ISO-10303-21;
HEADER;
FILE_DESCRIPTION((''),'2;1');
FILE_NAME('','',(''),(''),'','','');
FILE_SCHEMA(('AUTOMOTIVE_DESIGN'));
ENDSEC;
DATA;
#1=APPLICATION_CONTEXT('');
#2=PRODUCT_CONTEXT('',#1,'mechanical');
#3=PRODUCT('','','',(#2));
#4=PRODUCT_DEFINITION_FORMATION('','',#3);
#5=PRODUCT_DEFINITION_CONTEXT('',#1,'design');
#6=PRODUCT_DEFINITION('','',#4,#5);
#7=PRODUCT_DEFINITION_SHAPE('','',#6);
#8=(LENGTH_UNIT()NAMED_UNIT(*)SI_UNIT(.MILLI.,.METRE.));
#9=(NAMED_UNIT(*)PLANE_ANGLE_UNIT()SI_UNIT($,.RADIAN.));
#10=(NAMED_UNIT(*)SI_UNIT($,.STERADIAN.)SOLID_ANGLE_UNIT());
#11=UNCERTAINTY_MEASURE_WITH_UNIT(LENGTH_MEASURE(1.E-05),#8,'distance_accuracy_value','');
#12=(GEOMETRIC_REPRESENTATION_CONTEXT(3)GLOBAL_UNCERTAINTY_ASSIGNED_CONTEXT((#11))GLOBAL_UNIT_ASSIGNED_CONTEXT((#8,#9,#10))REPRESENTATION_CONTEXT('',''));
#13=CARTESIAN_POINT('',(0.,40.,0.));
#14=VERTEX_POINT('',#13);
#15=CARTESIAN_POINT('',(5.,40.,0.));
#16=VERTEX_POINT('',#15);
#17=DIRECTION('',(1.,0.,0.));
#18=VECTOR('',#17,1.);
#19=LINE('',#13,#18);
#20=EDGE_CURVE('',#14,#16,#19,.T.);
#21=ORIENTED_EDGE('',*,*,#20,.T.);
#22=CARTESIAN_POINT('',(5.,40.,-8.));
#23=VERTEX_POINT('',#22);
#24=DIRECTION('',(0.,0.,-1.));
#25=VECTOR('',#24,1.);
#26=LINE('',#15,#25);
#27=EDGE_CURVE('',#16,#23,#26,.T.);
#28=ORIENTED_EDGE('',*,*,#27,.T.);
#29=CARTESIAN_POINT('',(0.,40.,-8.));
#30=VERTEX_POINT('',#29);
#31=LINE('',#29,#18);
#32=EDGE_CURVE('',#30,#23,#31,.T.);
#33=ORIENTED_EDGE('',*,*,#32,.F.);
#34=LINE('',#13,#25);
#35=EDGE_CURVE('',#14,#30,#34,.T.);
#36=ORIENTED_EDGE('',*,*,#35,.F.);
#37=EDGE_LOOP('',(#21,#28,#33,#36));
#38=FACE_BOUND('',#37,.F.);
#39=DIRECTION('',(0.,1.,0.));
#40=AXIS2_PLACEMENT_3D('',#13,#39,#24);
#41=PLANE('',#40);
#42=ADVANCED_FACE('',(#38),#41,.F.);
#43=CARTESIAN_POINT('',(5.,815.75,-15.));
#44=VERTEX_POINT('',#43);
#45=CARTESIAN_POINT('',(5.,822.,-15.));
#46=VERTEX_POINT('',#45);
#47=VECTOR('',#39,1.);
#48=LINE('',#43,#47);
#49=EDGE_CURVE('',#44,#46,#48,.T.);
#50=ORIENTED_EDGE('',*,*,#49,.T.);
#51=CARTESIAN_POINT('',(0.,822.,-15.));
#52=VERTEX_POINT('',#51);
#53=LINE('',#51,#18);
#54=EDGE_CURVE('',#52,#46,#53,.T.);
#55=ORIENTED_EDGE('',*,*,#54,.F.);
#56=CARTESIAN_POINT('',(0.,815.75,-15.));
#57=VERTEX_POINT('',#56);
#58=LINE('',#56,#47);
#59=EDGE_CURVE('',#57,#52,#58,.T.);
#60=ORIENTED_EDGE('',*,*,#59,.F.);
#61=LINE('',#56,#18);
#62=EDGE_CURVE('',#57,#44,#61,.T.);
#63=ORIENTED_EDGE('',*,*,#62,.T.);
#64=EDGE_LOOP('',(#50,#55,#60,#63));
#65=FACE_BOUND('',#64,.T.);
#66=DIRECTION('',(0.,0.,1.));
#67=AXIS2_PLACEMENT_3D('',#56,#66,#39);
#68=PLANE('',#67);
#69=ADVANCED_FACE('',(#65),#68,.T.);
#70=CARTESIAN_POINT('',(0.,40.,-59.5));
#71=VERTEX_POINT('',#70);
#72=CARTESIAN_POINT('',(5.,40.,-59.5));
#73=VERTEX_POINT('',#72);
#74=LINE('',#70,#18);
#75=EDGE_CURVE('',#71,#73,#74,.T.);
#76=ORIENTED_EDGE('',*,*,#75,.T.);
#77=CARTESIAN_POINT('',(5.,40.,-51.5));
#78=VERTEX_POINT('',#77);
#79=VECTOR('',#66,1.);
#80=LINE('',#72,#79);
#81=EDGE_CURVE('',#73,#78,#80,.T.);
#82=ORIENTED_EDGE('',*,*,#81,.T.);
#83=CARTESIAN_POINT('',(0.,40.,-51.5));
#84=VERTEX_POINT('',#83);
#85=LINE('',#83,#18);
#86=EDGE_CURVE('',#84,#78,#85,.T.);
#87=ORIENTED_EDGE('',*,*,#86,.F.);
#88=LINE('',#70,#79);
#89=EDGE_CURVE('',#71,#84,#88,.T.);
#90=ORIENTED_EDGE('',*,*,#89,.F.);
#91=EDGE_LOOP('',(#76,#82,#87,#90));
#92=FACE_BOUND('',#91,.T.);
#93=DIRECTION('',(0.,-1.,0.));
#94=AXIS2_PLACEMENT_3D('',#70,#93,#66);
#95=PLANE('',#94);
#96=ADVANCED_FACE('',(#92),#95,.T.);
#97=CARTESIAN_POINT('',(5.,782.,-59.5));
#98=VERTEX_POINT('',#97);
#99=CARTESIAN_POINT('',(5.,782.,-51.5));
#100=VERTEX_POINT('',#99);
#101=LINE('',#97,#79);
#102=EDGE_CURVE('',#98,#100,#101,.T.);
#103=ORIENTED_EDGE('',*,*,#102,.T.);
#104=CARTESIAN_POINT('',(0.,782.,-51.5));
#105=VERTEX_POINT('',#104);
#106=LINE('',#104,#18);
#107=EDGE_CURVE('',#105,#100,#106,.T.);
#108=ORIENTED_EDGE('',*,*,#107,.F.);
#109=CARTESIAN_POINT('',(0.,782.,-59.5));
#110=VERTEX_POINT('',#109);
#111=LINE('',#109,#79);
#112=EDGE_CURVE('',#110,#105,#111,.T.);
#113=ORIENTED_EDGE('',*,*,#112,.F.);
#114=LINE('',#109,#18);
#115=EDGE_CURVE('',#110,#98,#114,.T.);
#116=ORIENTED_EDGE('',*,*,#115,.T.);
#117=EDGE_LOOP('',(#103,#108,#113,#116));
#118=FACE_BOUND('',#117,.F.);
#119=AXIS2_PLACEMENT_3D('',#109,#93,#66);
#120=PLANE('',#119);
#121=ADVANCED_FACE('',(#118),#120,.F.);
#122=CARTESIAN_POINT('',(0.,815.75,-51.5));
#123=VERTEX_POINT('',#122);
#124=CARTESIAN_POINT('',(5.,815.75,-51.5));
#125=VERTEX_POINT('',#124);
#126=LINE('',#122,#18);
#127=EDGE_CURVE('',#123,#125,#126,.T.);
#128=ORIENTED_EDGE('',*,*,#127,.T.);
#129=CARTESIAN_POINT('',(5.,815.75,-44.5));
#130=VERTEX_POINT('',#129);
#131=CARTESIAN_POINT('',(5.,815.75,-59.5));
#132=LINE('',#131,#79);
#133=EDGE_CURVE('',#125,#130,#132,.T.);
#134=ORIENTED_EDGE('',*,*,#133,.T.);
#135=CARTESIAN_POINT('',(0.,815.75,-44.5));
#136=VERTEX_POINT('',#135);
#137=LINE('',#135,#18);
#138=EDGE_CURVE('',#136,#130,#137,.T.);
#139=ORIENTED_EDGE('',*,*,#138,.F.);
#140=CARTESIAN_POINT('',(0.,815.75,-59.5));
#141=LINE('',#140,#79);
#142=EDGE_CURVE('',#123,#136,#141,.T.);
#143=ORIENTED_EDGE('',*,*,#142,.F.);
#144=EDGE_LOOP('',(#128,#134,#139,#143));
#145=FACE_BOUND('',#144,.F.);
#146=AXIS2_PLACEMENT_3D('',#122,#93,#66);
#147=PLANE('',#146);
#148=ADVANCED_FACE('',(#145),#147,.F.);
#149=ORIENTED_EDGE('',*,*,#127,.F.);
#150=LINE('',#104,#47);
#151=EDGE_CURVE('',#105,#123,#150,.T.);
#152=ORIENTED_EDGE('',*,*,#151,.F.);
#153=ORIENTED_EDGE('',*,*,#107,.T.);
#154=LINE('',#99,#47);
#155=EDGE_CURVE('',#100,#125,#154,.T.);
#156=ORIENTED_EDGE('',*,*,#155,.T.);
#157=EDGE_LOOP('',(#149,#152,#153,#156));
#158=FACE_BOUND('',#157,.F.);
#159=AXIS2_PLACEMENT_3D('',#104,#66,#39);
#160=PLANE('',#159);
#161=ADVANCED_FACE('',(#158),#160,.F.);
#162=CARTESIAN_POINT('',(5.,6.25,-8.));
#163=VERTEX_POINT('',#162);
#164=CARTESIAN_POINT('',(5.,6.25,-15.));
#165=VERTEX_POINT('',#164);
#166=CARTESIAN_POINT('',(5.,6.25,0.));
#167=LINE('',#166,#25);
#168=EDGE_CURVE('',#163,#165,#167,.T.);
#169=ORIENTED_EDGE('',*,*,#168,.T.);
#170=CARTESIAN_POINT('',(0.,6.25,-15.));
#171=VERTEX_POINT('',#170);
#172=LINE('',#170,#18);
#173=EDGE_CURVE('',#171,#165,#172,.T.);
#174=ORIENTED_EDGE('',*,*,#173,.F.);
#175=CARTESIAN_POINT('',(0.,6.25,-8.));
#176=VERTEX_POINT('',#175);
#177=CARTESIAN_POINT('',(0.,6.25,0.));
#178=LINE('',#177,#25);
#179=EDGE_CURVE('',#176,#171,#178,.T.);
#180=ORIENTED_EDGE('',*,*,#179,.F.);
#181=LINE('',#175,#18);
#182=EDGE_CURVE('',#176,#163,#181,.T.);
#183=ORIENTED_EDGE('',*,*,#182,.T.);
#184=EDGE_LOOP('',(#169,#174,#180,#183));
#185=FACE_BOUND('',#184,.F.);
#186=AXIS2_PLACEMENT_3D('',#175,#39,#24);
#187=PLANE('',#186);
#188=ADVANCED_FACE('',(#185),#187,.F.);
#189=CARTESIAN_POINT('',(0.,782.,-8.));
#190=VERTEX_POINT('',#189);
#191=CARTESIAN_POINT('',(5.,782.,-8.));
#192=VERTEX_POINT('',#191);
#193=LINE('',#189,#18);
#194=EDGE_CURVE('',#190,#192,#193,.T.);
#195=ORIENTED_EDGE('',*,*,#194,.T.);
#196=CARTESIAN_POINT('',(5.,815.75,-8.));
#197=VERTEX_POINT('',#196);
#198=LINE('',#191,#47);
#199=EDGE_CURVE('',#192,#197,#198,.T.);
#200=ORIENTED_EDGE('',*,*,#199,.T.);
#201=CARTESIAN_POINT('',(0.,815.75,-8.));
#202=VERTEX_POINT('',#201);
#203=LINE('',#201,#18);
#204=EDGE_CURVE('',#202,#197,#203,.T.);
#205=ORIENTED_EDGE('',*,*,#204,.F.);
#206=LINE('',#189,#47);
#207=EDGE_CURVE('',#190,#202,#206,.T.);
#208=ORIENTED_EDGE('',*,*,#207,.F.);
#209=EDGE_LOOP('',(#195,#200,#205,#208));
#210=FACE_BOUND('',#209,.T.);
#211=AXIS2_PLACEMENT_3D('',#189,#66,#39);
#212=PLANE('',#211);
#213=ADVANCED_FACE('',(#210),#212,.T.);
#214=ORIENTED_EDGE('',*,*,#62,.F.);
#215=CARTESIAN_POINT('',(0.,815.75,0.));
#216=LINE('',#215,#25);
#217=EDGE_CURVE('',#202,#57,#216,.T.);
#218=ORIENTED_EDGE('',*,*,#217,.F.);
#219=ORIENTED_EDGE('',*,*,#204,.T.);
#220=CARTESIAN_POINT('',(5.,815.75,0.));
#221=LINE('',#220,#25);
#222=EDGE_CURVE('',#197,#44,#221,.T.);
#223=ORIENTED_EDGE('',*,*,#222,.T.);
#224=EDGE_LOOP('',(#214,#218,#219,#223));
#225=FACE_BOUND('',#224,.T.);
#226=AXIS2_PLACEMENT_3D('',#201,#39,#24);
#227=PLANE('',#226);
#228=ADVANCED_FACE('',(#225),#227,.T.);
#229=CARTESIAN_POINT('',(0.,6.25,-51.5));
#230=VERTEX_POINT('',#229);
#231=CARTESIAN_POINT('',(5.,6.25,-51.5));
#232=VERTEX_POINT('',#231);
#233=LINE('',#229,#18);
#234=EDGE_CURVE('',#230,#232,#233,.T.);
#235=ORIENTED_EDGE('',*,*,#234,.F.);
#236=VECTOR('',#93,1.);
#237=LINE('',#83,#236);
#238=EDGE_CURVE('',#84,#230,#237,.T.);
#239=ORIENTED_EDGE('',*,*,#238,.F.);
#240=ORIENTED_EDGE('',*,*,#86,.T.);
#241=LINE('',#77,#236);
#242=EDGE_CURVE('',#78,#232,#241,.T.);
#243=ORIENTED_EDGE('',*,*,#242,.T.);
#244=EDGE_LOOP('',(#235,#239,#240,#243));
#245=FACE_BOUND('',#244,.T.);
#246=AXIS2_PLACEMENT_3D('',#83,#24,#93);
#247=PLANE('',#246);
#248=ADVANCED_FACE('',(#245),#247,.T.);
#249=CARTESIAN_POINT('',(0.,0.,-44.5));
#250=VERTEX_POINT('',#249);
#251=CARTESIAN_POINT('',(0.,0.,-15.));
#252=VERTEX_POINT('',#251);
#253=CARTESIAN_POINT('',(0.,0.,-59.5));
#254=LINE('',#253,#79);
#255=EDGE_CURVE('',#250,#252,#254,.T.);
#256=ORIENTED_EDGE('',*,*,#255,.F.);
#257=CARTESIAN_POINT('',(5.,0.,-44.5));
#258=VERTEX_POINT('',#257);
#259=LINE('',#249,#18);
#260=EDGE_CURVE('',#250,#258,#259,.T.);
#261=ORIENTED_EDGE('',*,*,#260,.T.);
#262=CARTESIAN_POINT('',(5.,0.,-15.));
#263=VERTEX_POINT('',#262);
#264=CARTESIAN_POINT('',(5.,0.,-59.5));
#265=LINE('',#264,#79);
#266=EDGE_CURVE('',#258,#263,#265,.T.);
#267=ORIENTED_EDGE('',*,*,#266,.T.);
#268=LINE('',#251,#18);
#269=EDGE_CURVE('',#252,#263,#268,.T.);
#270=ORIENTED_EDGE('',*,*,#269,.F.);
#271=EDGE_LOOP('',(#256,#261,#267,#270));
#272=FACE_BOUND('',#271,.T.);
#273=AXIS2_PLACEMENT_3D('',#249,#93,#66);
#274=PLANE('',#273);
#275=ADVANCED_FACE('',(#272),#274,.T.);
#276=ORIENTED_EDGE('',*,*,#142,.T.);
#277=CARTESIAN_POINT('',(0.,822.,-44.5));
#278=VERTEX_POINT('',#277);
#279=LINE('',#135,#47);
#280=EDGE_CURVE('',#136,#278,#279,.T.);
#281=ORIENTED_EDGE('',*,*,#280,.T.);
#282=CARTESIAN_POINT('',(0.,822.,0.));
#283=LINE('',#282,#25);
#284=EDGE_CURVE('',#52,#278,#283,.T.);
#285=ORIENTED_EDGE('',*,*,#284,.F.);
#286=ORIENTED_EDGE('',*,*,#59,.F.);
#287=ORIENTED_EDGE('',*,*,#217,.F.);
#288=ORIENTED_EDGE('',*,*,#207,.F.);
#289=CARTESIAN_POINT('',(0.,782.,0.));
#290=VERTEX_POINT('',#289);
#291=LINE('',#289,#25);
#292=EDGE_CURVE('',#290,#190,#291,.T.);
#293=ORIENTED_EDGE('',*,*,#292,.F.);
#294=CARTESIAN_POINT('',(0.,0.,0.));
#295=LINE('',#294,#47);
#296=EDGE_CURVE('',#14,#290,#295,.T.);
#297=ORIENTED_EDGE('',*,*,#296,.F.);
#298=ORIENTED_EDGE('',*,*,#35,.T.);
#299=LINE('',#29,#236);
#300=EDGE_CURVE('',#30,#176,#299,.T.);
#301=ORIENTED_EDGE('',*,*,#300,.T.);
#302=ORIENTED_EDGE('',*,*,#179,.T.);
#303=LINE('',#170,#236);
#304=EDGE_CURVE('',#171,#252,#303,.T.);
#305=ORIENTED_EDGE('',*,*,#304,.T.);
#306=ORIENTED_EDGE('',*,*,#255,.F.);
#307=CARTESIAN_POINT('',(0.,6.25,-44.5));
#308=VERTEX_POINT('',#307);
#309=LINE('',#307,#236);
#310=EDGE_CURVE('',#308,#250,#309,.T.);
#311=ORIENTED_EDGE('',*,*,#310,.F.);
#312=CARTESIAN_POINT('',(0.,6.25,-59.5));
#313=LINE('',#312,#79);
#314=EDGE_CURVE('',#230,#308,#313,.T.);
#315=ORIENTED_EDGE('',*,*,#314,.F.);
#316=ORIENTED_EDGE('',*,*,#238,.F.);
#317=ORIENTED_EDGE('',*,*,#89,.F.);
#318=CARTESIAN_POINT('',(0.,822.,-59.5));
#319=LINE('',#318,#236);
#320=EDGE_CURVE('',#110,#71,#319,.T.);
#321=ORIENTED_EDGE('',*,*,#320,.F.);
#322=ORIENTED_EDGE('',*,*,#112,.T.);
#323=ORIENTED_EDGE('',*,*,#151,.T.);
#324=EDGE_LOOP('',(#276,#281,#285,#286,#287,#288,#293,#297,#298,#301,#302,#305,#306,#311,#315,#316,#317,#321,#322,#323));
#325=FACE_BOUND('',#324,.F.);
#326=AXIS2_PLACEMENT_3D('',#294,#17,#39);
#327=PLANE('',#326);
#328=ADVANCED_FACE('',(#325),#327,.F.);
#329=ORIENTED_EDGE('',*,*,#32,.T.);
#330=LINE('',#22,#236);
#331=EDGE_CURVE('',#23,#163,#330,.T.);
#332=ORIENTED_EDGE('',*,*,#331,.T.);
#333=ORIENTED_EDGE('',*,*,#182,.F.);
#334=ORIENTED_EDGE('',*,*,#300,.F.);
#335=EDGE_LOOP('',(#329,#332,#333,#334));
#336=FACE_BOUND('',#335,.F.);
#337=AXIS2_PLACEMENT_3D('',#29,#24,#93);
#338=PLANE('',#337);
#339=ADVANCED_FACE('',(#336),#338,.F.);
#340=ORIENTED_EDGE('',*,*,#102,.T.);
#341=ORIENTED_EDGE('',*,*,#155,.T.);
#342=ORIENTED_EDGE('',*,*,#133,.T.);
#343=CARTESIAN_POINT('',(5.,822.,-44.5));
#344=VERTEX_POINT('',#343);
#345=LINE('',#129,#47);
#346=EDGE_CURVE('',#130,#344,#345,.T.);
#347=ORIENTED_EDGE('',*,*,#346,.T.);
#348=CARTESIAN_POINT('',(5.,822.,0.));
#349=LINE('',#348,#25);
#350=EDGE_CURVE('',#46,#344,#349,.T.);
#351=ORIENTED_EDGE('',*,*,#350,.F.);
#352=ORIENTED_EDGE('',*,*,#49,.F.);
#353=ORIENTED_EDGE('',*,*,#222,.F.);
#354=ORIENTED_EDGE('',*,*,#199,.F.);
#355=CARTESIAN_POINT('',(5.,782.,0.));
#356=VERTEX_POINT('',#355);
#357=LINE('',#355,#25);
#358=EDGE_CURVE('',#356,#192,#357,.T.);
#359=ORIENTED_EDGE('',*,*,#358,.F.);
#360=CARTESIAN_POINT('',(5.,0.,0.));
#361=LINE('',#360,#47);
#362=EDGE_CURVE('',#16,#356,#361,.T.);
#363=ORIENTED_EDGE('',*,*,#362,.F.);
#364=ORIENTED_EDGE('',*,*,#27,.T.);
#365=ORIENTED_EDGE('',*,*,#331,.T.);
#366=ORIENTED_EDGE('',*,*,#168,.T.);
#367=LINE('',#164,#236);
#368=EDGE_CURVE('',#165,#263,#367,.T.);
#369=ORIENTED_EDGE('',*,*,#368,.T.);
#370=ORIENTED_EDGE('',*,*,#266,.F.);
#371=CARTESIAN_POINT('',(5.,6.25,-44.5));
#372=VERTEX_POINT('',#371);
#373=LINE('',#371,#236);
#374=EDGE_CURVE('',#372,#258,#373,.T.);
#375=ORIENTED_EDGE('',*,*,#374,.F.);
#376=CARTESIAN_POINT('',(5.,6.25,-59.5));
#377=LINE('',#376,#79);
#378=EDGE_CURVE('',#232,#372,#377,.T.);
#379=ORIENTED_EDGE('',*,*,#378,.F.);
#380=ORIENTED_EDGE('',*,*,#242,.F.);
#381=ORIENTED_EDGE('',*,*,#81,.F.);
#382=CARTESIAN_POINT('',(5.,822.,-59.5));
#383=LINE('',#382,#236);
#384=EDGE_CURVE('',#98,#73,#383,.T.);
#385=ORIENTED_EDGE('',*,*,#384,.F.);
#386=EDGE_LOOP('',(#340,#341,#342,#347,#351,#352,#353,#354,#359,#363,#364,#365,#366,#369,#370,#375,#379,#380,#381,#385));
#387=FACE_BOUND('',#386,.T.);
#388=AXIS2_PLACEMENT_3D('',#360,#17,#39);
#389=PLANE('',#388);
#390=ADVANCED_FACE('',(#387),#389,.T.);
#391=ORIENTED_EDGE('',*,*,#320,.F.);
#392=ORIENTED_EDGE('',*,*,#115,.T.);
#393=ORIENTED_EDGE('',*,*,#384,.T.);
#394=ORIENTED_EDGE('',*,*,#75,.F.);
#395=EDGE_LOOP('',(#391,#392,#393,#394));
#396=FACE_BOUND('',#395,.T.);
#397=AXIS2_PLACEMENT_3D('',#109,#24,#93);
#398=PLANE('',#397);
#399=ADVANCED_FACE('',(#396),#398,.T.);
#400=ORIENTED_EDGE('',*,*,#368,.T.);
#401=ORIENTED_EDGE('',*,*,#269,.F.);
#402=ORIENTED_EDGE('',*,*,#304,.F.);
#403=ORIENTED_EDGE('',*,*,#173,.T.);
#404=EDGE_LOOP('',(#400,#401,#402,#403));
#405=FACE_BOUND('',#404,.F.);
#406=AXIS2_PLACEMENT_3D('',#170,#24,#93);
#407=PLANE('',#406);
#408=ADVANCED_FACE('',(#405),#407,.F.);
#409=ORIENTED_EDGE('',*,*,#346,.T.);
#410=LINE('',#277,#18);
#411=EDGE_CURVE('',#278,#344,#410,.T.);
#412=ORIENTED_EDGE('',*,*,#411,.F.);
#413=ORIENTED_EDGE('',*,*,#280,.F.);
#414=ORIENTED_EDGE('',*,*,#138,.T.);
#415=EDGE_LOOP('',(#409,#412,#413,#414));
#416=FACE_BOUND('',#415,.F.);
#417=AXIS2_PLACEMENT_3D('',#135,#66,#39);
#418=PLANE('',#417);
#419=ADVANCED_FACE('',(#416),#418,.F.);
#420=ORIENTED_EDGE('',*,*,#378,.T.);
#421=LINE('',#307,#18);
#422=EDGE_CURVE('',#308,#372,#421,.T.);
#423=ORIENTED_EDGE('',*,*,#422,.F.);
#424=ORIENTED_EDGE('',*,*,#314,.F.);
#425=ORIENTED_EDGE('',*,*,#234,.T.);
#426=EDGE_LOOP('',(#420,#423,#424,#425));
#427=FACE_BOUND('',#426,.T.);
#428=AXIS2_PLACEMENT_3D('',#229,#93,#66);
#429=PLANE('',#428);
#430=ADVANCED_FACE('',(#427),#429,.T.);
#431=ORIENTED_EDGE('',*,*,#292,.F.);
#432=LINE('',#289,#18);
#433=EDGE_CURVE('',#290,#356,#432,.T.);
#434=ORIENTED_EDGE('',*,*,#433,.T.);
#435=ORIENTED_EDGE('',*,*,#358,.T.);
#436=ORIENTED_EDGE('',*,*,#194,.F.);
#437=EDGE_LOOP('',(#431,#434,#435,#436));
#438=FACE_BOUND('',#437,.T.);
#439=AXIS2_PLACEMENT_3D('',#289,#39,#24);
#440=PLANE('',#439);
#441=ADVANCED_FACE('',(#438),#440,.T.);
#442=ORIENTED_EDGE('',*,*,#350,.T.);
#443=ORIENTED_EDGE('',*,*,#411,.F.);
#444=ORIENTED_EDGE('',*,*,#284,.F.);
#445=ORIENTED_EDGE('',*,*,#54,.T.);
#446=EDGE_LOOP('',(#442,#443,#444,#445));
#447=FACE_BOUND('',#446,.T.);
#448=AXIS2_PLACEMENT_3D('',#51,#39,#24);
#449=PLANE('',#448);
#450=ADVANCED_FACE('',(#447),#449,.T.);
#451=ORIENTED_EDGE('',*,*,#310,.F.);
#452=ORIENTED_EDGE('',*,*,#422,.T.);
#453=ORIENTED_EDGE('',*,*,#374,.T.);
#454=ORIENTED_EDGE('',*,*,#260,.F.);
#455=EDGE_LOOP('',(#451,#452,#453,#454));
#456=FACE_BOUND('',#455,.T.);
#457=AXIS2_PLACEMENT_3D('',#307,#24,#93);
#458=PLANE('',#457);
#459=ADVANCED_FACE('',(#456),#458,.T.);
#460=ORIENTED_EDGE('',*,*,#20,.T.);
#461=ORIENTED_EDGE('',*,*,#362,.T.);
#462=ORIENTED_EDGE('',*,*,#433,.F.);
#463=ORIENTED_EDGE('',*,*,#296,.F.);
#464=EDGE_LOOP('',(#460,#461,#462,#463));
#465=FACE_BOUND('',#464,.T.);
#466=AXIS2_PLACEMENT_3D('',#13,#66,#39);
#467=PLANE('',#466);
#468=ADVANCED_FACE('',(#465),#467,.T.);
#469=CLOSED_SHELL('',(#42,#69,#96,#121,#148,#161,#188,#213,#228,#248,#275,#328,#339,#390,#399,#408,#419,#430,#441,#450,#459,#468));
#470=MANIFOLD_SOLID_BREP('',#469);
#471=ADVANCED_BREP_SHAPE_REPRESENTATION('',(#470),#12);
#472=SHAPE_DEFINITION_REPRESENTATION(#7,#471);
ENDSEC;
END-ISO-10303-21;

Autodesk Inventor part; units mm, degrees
ref_plane "YZ Plane" through (0, 0, 0) normal (1, 0, 0) x (0, 1, 0)
ref_plane "XZ Plane" through (0, 0, 0) normal (0, 1, 0) x (-1, 0, 0)
ref_plane "XY Plane" through (0, 0, 0) normal (0, 0, 1) x (1, 0, 0)
sketch "Sketch1" plane through (0, 0, 0) normal (1, 0, 0) x (0, 1, 0)
  line L0 (0, 0) -> (822, 0)
  line L1 (822, 0) -> (822, -59.5)
  line L2 (822, -59.5) -> (0, -59.5)
  line L3 (0, -59.5) -> (0, 0)
  line L4 (822, 0) -> (815.75, 0)
  line L5 (815.75, 0) -> (815.75, -15)
  line L6 (815.75, -15) -> (822, -15)
  line L7 (822, -15) -> (822, 0)
  line L8 (822, 0) -> (782, 0)
  line L9 (782, 0) -> (782, -8)
  line L10 (782, -8) -> (822, -8)
  line L11 (822, -8) -> (822, 0)
  line L12 (856.5319, -29.75) -> (-65.1606, -29.75) construction
  line L13 (411, 165.682) -> (411, -1074.2454) construction
  line L14 (822, -59.5) -> (815.75, -59.5)
  line L15 (815.75, -59.5) -> (815.75, -44.5)
  line L16 (815.75, -44.5) -> (822, -44.5)
  line L17 (822, -44.5) -> (822, -59.5)
  line L18 (822, -59.5) -> (782, -59.5)
  line L19 (782, -59.5) -> (782, -51.5)
  line L20 (782, -51.5) -> (822, -51.5)
  line L21 (822, -51.5) -> (822, -59.5)
  line L22 (0, 0) -> (0, -59.5)
  line L23 (0, 0) -> (6.25, 0)
  line L24 (6.25, 0) -> (6.25, -15)
  line L25 (6.25, -15) -> (0, -15)
  line L26 (0, -15) -> (0, 0)
  line L27 (0, 0) -> (40, 0)
  line L28 (40, 0) -> (40, -8)
  line L29 (40, -8) -> (0, -8)
  line L30 (0, -8) -> (0, 0)
  line L31 (6.25, -44.5) -> (0, -44.5)
  line L32 (40, -51.5) -> (0, -51.5)
  line L33 (0, -59.5) -> (6.25, -59.5)
  line L34 (6.25, -59.5) -> (6.25, -44.5)
  line L35 (0, -44.5) -> (0, -59.5)
  line L36 (0, -59.5) -> (40, -59.5)
  line L37 (40, -59.5) -> (40, -51.5)
  line L38 (0, -51.5) -> (0, -59.5)
  point P0 (40, -59.5)
  point P1 (782, -59.5)
  point P2 (815.75, -51.5)
  point P3 (822, -44.5)
  point P4 (822, -15)
  point P5 (815.75, -8)
  point P6 (782, 0)
  point P7 (40, 0)
  point P8 (6.25, -8)
  point P9 (0, -15)
  point P10 (0, -44.5)
  point P11 (6.25, -51.5)
  dimension "d0" = 822
  dimension "d1" = 59.5
  dimension "d2" = 15
  dimension "d3" = 40
  dimension "d4" = 8
  dimension "d5" = 6.25
  dimension "d6" = 29.75
  dimension "d7" = 411
extrude "Extrusion1" add sketch "Sketch1" along normal blind 5 contours L0 L9 L10 L5 L6 L1 L16 L15 L20 L19 L2 L37 L32 L34 L31 L3 L25 L24 L29 L28
equation "\"d6\" = 0.5 * d1"
equation "\"d7\" = 0.5 * d0"
properties part number "Acrly_Wand_1"
